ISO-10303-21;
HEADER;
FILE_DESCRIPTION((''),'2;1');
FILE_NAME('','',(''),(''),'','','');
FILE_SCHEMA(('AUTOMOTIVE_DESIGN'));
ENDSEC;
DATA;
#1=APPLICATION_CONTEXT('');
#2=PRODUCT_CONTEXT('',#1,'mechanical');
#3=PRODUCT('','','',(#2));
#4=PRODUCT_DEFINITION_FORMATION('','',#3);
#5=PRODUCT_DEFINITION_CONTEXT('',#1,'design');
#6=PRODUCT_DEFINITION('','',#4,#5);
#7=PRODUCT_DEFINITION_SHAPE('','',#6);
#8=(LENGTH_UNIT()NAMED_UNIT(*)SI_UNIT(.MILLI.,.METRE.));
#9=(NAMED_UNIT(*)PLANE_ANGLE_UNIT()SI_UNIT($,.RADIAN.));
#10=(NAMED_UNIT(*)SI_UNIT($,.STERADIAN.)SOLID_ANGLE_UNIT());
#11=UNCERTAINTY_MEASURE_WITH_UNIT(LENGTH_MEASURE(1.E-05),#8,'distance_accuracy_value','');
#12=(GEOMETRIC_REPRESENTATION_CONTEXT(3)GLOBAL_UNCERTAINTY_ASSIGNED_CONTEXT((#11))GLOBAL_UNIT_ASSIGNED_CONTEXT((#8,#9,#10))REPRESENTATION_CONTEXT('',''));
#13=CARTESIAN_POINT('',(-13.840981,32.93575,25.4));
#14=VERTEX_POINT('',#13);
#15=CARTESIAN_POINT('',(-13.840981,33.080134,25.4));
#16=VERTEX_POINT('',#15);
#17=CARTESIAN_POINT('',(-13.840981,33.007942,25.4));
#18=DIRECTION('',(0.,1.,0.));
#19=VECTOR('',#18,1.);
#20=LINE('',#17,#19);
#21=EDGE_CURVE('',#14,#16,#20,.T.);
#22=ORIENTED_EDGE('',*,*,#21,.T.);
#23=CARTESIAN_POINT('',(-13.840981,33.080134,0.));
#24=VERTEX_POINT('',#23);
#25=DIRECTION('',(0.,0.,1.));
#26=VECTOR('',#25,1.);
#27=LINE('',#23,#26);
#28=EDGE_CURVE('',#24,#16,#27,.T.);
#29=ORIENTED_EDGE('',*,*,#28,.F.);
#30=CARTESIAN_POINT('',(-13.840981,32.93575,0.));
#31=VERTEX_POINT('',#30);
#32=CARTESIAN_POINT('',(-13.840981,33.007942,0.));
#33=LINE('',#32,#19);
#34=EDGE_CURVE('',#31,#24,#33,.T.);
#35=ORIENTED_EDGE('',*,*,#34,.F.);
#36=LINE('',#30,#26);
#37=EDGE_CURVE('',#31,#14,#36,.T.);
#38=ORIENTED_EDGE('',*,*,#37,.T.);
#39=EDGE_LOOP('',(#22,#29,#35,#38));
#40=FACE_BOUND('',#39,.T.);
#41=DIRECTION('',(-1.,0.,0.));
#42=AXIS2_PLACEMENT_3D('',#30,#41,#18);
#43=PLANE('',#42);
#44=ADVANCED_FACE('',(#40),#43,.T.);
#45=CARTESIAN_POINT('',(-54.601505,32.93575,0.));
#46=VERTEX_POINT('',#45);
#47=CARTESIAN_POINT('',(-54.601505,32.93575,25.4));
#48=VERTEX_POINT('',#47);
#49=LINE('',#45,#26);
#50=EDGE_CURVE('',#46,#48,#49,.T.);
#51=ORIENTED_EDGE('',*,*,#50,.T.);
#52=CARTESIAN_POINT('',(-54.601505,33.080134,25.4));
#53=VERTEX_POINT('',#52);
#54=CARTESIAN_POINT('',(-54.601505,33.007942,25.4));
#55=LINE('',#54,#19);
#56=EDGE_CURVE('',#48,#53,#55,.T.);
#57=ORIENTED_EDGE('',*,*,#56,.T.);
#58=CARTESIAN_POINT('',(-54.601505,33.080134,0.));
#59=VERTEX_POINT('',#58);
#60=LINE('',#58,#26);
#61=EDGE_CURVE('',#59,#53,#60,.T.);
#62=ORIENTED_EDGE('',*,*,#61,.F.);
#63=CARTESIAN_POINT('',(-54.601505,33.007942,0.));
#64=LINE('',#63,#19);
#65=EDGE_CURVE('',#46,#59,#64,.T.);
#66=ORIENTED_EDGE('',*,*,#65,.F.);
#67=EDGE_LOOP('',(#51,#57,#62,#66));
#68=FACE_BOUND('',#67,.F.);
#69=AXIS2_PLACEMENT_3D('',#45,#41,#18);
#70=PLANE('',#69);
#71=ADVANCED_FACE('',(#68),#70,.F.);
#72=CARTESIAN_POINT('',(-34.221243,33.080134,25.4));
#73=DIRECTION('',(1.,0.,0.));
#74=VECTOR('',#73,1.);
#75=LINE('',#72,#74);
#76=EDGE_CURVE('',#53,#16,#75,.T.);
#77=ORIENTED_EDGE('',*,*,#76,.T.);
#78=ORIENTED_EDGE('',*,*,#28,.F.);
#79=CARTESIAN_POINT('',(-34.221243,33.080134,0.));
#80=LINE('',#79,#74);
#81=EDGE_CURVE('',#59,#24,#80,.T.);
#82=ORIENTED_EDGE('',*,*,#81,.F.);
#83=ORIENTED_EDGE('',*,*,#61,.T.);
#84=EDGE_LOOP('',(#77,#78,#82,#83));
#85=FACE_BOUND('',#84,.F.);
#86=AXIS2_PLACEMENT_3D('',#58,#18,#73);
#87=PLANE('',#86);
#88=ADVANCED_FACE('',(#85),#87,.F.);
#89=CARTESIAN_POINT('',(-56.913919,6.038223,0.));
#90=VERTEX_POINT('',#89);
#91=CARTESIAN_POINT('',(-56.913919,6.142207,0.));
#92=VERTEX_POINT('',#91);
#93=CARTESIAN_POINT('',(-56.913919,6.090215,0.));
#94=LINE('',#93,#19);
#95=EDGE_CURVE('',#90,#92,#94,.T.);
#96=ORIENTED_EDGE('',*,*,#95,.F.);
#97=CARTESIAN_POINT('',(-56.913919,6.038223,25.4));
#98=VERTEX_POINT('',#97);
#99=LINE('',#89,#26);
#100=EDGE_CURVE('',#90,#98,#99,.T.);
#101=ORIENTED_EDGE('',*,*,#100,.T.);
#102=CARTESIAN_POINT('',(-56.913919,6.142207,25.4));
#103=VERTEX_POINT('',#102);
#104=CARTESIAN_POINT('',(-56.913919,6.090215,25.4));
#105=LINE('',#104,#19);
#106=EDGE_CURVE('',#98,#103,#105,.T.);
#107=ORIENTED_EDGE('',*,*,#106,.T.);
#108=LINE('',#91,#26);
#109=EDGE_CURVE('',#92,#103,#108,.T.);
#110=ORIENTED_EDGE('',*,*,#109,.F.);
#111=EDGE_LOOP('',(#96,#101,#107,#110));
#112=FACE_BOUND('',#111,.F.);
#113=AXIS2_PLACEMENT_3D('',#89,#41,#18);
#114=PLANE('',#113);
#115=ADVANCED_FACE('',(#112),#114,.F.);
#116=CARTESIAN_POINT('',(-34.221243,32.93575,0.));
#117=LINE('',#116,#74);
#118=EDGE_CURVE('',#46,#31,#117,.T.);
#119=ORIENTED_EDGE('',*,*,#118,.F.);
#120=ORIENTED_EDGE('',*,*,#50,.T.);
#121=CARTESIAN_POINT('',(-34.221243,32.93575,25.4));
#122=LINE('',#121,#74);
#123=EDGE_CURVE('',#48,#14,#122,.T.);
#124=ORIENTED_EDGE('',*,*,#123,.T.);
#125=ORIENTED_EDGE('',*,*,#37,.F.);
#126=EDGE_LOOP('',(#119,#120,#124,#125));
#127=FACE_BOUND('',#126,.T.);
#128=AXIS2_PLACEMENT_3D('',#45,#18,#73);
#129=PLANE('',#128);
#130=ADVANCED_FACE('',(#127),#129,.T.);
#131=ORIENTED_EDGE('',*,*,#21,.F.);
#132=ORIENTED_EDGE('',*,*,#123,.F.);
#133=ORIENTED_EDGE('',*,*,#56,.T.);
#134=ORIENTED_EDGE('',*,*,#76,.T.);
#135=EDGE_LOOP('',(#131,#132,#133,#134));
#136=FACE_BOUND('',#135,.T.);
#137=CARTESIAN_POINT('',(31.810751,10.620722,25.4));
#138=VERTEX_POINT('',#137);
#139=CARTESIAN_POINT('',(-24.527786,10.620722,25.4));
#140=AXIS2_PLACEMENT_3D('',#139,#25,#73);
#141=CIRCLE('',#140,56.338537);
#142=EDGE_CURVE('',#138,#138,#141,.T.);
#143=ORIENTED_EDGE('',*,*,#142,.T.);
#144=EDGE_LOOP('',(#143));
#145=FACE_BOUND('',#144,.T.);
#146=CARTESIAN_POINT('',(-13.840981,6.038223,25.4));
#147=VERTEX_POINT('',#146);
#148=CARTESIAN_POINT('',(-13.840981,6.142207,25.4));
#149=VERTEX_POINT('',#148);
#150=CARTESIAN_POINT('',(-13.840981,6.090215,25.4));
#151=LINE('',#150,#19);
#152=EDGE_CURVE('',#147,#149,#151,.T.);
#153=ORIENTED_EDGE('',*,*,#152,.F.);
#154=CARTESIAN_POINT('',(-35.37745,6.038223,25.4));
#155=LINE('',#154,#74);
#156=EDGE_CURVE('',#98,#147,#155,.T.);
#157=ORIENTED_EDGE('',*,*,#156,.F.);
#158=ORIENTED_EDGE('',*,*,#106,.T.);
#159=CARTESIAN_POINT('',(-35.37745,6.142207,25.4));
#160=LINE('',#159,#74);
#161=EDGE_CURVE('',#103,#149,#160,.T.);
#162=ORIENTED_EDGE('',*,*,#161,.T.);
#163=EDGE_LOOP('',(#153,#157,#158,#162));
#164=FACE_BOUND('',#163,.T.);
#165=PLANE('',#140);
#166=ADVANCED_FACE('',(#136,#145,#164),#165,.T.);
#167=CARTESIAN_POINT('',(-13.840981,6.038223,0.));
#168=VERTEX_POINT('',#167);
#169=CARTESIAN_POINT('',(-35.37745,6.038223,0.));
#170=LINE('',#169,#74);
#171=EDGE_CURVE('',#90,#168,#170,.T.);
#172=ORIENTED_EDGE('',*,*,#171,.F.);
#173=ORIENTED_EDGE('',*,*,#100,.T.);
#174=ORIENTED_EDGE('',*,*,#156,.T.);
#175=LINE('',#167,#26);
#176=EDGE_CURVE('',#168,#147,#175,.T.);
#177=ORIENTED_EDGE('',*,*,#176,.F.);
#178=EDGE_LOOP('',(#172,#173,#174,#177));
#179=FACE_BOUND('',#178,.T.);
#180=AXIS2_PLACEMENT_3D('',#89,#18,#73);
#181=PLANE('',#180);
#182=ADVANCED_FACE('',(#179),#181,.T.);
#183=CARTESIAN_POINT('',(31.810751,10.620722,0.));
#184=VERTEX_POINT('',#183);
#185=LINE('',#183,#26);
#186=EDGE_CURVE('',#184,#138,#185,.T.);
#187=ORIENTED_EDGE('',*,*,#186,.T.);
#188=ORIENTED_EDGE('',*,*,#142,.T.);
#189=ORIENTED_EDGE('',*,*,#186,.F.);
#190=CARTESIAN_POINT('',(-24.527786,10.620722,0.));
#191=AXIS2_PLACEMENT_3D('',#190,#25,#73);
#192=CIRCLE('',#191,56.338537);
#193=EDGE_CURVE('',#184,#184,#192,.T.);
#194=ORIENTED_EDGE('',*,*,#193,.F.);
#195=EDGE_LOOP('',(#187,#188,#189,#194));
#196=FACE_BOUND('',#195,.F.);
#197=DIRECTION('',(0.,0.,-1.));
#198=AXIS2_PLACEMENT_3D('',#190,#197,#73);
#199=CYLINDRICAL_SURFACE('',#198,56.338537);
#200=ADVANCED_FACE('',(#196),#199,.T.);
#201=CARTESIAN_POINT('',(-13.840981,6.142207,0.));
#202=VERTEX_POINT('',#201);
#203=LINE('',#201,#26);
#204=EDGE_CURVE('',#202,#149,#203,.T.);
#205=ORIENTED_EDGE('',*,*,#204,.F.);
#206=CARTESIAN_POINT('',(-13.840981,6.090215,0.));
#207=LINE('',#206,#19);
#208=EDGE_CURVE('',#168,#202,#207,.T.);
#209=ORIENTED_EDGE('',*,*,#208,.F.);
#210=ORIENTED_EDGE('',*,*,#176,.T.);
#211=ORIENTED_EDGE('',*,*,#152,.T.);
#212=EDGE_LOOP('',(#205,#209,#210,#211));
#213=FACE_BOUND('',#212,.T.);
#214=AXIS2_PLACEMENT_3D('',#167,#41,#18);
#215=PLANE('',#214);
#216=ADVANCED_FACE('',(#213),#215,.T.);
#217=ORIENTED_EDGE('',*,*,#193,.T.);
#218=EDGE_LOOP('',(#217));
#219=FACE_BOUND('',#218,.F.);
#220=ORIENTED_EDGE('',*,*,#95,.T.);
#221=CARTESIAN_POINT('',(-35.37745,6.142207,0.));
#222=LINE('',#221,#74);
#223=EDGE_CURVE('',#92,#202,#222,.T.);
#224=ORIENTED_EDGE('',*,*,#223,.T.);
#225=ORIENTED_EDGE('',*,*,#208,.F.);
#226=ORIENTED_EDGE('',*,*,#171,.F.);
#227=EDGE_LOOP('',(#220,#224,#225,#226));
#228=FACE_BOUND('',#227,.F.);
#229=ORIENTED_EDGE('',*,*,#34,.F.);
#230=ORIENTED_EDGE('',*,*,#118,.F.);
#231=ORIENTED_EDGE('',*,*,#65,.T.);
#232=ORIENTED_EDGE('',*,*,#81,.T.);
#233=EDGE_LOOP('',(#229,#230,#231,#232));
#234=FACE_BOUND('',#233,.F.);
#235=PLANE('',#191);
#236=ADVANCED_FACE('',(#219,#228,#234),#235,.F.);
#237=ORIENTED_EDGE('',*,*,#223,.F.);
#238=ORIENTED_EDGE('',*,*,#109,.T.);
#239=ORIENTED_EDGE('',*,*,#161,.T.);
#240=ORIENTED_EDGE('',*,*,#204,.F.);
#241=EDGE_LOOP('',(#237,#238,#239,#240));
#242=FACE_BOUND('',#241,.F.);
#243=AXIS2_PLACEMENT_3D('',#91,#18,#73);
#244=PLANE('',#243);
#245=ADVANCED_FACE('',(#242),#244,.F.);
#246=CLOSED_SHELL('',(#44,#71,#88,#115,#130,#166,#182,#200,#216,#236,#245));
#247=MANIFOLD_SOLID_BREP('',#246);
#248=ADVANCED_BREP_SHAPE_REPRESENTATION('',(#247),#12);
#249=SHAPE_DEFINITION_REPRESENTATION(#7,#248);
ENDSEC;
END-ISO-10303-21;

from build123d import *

# Parameters (mm, degrees)
F0_R     = 56.338537
F0_W     = 43.072939
F0_H     = 0.103983
F0_W_2   = 40.760524
F0_H_2   = 0.144385
F1_DEPTH = 25.4


with BuildPart() as f1:
    # F0 (on Top) → F1 (new body)
    with BuildSketch(Plane.XY):
        with Locations((-24.527786, 10.620722)):
            Circle(F0_R)
        with Locations((-35.37745, 6.090215)):
            Rectangle(F0_W, F0_H, mode=Mode.SUBTRACT)
        with Locations((-34.221243, 33.007942)):
            Rectangle(F0_W_2, F0_H_2, mode=Mode.SUBTRACT)
    extrude(amount=F1_DEPTH)


solid = f1.part
